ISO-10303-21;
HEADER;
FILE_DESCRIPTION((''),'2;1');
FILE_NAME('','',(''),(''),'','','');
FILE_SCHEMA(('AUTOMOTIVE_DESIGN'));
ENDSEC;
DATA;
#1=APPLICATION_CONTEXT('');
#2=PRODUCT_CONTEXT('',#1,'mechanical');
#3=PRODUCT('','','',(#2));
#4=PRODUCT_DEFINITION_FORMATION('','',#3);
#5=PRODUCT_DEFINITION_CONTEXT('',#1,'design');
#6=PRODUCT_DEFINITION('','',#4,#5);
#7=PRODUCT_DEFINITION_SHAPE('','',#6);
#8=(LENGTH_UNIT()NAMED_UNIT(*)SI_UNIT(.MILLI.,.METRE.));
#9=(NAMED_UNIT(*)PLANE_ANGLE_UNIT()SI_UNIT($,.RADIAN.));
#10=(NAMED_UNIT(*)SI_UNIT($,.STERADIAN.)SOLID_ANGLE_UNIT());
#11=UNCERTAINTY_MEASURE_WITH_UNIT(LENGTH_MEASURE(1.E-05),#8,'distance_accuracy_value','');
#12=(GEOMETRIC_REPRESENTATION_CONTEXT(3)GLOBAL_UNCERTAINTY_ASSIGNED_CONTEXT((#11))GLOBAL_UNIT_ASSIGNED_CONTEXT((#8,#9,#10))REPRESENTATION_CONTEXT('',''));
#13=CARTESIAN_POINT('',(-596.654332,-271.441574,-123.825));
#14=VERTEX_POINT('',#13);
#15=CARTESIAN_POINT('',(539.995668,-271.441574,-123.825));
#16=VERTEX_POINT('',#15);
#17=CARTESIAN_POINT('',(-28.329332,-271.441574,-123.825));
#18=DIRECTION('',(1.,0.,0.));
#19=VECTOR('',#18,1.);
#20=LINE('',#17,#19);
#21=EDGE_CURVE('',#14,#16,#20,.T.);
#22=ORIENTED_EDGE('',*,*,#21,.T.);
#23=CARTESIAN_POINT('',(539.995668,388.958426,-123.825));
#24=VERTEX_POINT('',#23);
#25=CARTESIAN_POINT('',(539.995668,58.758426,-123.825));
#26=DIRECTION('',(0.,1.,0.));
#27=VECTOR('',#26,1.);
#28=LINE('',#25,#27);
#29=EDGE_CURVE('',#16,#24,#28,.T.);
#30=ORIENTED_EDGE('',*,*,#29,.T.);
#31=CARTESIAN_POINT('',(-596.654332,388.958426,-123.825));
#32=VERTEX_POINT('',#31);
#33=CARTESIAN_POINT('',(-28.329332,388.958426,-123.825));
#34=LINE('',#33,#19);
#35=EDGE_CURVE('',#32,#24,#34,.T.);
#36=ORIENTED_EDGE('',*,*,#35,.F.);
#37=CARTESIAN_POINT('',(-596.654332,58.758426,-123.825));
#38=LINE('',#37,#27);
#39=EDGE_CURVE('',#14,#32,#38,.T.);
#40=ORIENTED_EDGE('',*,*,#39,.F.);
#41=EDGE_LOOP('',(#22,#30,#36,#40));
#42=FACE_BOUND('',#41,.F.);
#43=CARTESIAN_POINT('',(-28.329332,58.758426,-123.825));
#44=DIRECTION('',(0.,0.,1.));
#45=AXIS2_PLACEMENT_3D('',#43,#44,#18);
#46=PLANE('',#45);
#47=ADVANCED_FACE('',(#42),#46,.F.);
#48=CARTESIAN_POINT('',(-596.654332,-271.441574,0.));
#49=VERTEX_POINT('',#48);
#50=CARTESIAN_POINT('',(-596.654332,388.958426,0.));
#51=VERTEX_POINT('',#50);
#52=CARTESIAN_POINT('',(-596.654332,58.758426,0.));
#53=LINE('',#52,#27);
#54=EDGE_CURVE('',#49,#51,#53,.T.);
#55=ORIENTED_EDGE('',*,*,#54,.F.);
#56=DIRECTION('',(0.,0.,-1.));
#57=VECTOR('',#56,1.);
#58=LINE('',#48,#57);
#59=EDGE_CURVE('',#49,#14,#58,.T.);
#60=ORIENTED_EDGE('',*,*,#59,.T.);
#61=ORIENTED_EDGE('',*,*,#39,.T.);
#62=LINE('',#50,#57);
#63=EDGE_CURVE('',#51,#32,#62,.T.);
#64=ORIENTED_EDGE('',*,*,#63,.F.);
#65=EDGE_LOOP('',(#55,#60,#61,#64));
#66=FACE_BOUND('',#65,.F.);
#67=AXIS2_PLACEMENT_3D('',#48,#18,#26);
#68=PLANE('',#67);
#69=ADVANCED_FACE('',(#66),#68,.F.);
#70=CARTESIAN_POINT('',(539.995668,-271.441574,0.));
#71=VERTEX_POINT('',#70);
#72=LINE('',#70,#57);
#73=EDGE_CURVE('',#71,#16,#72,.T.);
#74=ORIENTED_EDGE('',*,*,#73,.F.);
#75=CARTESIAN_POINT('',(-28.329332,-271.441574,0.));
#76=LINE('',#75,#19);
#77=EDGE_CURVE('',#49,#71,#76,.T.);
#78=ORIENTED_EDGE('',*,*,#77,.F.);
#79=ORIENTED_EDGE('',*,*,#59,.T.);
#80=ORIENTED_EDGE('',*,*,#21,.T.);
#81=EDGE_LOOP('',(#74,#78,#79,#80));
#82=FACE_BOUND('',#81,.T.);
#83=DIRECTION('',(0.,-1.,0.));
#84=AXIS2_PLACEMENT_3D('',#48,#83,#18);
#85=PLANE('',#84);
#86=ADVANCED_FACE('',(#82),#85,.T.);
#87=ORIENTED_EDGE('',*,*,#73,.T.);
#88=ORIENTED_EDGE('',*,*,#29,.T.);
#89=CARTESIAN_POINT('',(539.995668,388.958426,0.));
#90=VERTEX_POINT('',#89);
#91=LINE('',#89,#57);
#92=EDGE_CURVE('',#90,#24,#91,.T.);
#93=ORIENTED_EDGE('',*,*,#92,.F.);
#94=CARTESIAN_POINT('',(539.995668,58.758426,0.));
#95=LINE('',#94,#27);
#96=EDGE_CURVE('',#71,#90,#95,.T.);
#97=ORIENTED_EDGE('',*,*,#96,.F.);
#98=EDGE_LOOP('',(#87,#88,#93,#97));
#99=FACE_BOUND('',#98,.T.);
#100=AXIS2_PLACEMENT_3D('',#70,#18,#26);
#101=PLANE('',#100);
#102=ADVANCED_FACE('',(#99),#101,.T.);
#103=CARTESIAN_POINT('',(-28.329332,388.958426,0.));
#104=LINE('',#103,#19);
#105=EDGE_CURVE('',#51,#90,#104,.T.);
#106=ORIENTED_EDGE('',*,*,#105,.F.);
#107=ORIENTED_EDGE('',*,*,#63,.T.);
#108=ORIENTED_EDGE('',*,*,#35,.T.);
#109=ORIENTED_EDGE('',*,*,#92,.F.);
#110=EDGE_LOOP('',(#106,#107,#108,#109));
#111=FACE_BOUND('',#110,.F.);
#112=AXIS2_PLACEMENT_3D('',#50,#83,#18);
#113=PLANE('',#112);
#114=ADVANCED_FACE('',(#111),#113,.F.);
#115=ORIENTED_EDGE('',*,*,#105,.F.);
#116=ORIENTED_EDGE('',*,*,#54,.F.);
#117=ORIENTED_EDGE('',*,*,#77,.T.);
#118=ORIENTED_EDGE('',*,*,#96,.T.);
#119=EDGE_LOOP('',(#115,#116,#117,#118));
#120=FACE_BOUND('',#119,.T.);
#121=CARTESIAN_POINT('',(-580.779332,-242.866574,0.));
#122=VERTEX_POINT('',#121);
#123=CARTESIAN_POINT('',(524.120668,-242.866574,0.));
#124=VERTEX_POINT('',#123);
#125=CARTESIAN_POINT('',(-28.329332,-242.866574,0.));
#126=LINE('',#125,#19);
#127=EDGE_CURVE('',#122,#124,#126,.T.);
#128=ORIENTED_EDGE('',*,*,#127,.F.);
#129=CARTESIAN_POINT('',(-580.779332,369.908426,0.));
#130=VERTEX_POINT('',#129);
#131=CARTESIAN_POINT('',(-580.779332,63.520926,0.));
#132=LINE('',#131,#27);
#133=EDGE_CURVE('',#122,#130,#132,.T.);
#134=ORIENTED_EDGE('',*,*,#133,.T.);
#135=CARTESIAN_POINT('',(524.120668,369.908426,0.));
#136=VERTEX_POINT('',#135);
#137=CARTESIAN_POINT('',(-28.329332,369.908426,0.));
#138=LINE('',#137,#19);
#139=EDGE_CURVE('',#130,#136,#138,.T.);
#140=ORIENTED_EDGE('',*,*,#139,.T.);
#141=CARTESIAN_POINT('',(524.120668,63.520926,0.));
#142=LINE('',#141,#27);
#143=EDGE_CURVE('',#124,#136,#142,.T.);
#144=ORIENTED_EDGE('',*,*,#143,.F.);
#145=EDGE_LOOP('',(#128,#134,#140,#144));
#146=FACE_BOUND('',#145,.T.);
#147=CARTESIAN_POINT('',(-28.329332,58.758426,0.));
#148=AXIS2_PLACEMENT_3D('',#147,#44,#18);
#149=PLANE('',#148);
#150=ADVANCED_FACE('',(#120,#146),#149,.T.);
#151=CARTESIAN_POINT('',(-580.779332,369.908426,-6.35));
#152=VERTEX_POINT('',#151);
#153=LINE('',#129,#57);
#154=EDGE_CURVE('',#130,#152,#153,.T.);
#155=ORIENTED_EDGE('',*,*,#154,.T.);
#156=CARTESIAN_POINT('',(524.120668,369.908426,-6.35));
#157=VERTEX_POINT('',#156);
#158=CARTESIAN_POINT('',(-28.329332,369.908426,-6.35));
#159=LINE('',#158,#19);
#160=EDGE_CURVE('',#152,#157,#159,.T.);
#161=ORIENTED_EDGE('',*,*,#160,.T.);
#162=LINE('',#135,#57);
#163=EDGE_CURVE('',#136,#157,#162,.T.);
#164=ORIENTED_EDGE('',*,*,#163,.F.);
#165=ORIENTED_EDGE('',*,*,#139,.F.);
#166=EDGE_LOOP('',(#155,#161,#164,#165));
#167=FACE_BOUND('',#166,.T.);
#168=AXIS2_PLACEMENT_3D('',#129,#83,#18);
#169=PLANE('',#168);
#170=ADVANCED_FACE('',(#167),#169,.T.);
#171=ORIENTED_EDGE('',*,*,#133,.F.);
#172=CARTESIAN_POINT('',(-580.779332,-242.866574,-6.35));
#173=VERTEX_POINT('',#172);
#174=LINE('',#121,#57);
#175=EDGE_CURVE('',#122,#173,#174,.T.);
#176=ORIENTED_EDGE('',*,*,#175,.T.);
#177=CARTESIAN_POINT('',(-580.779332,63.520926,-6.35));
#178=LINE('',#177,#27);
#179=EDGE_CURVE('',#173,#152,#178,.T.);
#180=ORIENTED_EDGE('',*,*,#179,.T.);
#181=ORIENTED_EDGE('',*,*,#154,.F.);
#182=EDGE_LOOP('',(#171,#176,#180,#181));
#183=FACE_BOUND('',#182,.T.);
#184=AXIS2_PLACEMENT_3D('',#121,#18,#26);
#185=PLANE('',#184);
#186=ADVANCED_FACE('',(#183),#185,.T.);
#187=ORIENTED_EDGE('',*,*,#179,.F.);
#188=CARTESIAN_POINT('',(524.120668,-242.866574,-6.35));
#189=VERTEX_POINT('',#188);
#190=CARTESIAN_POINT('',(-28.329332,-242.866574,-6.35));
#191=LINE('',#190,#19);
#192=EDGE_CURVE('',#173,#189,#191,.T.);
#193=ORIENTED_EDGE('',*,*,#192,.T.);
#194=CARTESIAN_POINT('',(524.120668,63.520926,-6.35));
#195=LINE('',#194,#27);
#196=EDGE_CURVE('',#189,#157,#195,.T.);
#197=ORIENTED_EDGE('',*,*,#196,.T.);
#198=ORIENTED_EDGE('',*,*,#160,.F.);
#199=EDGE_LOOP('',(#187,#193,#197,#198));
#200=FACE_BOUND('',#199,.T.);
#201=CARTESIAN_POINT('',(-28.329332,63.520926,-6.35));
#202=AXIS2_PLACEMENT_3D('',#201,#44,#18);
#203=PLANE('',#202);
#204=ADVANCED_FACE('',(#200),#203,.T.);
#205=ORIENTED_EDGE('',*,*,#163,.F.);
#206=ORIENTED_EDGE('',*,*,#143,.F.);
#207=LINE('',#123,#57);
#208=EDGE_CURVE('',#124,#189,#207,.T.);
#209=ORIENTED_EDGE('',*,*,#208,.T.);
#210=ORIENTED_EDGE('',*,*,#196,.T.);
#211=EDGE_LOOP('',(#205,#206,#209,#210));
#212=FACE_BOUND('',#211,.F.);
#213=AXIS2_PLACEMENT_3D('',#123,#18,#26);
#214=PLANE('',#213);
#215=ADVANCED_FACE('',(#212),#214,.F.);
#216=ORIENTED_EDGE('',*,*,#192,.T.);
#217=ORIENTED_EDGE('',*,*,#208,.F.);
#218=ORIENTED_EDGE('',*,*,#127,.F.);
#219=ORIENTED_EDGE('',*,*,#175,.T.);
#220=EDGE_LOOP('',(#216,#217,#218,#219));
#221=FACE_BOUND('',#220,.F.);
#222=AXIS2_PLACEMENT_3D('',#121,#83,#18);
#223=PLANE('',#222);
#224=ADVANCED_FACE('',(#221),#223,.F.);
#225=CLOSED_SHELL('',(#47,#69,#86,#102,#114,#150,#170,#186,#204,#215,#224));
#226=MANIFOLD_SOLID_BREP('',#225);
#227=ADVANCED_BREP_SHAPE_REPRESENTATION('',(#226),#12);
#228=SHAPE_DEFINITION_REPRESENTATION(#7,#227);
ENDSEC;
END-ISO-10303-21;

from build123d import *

# Parameters (mm, degrees)
F0_W     = 1136.65
F0_H     = 660.4
F0_W_2   = 1104.9
F0_H_2   = 612.775
F1_DEPTH = 123.825
F2_DEPTH = 6.35


with BuildPart() as f1:
    # F0 (on Top) → F1 (new body)
    with BuildSketch(Plane.XY):
        with Locations((-28.329332, 58.758426)):
            Rectangle(F0_W, F0_H)
        with Locations((-28.329332, 63.520926)):
            Rectangle(F0_W_2, F0_H_2, mode=Mode.SUBTRACT)
        with Locations((-28.329332, 63.520926)):
            Rectangle(F0_W_2, F0_H_2)
    extrude(amount=-F1_DEPTH)

    # F0 (on Top) → F2 (cut)
    with BuildSketch(Plane.XY):
        with Locations((-28.329332, 63.520926)):
            Rectangle(F0_W_2, F0_H_2)
    extrude(amount=-F2_DEPTH, mode=Mode.SUBTRACT)


solid = f1.part
